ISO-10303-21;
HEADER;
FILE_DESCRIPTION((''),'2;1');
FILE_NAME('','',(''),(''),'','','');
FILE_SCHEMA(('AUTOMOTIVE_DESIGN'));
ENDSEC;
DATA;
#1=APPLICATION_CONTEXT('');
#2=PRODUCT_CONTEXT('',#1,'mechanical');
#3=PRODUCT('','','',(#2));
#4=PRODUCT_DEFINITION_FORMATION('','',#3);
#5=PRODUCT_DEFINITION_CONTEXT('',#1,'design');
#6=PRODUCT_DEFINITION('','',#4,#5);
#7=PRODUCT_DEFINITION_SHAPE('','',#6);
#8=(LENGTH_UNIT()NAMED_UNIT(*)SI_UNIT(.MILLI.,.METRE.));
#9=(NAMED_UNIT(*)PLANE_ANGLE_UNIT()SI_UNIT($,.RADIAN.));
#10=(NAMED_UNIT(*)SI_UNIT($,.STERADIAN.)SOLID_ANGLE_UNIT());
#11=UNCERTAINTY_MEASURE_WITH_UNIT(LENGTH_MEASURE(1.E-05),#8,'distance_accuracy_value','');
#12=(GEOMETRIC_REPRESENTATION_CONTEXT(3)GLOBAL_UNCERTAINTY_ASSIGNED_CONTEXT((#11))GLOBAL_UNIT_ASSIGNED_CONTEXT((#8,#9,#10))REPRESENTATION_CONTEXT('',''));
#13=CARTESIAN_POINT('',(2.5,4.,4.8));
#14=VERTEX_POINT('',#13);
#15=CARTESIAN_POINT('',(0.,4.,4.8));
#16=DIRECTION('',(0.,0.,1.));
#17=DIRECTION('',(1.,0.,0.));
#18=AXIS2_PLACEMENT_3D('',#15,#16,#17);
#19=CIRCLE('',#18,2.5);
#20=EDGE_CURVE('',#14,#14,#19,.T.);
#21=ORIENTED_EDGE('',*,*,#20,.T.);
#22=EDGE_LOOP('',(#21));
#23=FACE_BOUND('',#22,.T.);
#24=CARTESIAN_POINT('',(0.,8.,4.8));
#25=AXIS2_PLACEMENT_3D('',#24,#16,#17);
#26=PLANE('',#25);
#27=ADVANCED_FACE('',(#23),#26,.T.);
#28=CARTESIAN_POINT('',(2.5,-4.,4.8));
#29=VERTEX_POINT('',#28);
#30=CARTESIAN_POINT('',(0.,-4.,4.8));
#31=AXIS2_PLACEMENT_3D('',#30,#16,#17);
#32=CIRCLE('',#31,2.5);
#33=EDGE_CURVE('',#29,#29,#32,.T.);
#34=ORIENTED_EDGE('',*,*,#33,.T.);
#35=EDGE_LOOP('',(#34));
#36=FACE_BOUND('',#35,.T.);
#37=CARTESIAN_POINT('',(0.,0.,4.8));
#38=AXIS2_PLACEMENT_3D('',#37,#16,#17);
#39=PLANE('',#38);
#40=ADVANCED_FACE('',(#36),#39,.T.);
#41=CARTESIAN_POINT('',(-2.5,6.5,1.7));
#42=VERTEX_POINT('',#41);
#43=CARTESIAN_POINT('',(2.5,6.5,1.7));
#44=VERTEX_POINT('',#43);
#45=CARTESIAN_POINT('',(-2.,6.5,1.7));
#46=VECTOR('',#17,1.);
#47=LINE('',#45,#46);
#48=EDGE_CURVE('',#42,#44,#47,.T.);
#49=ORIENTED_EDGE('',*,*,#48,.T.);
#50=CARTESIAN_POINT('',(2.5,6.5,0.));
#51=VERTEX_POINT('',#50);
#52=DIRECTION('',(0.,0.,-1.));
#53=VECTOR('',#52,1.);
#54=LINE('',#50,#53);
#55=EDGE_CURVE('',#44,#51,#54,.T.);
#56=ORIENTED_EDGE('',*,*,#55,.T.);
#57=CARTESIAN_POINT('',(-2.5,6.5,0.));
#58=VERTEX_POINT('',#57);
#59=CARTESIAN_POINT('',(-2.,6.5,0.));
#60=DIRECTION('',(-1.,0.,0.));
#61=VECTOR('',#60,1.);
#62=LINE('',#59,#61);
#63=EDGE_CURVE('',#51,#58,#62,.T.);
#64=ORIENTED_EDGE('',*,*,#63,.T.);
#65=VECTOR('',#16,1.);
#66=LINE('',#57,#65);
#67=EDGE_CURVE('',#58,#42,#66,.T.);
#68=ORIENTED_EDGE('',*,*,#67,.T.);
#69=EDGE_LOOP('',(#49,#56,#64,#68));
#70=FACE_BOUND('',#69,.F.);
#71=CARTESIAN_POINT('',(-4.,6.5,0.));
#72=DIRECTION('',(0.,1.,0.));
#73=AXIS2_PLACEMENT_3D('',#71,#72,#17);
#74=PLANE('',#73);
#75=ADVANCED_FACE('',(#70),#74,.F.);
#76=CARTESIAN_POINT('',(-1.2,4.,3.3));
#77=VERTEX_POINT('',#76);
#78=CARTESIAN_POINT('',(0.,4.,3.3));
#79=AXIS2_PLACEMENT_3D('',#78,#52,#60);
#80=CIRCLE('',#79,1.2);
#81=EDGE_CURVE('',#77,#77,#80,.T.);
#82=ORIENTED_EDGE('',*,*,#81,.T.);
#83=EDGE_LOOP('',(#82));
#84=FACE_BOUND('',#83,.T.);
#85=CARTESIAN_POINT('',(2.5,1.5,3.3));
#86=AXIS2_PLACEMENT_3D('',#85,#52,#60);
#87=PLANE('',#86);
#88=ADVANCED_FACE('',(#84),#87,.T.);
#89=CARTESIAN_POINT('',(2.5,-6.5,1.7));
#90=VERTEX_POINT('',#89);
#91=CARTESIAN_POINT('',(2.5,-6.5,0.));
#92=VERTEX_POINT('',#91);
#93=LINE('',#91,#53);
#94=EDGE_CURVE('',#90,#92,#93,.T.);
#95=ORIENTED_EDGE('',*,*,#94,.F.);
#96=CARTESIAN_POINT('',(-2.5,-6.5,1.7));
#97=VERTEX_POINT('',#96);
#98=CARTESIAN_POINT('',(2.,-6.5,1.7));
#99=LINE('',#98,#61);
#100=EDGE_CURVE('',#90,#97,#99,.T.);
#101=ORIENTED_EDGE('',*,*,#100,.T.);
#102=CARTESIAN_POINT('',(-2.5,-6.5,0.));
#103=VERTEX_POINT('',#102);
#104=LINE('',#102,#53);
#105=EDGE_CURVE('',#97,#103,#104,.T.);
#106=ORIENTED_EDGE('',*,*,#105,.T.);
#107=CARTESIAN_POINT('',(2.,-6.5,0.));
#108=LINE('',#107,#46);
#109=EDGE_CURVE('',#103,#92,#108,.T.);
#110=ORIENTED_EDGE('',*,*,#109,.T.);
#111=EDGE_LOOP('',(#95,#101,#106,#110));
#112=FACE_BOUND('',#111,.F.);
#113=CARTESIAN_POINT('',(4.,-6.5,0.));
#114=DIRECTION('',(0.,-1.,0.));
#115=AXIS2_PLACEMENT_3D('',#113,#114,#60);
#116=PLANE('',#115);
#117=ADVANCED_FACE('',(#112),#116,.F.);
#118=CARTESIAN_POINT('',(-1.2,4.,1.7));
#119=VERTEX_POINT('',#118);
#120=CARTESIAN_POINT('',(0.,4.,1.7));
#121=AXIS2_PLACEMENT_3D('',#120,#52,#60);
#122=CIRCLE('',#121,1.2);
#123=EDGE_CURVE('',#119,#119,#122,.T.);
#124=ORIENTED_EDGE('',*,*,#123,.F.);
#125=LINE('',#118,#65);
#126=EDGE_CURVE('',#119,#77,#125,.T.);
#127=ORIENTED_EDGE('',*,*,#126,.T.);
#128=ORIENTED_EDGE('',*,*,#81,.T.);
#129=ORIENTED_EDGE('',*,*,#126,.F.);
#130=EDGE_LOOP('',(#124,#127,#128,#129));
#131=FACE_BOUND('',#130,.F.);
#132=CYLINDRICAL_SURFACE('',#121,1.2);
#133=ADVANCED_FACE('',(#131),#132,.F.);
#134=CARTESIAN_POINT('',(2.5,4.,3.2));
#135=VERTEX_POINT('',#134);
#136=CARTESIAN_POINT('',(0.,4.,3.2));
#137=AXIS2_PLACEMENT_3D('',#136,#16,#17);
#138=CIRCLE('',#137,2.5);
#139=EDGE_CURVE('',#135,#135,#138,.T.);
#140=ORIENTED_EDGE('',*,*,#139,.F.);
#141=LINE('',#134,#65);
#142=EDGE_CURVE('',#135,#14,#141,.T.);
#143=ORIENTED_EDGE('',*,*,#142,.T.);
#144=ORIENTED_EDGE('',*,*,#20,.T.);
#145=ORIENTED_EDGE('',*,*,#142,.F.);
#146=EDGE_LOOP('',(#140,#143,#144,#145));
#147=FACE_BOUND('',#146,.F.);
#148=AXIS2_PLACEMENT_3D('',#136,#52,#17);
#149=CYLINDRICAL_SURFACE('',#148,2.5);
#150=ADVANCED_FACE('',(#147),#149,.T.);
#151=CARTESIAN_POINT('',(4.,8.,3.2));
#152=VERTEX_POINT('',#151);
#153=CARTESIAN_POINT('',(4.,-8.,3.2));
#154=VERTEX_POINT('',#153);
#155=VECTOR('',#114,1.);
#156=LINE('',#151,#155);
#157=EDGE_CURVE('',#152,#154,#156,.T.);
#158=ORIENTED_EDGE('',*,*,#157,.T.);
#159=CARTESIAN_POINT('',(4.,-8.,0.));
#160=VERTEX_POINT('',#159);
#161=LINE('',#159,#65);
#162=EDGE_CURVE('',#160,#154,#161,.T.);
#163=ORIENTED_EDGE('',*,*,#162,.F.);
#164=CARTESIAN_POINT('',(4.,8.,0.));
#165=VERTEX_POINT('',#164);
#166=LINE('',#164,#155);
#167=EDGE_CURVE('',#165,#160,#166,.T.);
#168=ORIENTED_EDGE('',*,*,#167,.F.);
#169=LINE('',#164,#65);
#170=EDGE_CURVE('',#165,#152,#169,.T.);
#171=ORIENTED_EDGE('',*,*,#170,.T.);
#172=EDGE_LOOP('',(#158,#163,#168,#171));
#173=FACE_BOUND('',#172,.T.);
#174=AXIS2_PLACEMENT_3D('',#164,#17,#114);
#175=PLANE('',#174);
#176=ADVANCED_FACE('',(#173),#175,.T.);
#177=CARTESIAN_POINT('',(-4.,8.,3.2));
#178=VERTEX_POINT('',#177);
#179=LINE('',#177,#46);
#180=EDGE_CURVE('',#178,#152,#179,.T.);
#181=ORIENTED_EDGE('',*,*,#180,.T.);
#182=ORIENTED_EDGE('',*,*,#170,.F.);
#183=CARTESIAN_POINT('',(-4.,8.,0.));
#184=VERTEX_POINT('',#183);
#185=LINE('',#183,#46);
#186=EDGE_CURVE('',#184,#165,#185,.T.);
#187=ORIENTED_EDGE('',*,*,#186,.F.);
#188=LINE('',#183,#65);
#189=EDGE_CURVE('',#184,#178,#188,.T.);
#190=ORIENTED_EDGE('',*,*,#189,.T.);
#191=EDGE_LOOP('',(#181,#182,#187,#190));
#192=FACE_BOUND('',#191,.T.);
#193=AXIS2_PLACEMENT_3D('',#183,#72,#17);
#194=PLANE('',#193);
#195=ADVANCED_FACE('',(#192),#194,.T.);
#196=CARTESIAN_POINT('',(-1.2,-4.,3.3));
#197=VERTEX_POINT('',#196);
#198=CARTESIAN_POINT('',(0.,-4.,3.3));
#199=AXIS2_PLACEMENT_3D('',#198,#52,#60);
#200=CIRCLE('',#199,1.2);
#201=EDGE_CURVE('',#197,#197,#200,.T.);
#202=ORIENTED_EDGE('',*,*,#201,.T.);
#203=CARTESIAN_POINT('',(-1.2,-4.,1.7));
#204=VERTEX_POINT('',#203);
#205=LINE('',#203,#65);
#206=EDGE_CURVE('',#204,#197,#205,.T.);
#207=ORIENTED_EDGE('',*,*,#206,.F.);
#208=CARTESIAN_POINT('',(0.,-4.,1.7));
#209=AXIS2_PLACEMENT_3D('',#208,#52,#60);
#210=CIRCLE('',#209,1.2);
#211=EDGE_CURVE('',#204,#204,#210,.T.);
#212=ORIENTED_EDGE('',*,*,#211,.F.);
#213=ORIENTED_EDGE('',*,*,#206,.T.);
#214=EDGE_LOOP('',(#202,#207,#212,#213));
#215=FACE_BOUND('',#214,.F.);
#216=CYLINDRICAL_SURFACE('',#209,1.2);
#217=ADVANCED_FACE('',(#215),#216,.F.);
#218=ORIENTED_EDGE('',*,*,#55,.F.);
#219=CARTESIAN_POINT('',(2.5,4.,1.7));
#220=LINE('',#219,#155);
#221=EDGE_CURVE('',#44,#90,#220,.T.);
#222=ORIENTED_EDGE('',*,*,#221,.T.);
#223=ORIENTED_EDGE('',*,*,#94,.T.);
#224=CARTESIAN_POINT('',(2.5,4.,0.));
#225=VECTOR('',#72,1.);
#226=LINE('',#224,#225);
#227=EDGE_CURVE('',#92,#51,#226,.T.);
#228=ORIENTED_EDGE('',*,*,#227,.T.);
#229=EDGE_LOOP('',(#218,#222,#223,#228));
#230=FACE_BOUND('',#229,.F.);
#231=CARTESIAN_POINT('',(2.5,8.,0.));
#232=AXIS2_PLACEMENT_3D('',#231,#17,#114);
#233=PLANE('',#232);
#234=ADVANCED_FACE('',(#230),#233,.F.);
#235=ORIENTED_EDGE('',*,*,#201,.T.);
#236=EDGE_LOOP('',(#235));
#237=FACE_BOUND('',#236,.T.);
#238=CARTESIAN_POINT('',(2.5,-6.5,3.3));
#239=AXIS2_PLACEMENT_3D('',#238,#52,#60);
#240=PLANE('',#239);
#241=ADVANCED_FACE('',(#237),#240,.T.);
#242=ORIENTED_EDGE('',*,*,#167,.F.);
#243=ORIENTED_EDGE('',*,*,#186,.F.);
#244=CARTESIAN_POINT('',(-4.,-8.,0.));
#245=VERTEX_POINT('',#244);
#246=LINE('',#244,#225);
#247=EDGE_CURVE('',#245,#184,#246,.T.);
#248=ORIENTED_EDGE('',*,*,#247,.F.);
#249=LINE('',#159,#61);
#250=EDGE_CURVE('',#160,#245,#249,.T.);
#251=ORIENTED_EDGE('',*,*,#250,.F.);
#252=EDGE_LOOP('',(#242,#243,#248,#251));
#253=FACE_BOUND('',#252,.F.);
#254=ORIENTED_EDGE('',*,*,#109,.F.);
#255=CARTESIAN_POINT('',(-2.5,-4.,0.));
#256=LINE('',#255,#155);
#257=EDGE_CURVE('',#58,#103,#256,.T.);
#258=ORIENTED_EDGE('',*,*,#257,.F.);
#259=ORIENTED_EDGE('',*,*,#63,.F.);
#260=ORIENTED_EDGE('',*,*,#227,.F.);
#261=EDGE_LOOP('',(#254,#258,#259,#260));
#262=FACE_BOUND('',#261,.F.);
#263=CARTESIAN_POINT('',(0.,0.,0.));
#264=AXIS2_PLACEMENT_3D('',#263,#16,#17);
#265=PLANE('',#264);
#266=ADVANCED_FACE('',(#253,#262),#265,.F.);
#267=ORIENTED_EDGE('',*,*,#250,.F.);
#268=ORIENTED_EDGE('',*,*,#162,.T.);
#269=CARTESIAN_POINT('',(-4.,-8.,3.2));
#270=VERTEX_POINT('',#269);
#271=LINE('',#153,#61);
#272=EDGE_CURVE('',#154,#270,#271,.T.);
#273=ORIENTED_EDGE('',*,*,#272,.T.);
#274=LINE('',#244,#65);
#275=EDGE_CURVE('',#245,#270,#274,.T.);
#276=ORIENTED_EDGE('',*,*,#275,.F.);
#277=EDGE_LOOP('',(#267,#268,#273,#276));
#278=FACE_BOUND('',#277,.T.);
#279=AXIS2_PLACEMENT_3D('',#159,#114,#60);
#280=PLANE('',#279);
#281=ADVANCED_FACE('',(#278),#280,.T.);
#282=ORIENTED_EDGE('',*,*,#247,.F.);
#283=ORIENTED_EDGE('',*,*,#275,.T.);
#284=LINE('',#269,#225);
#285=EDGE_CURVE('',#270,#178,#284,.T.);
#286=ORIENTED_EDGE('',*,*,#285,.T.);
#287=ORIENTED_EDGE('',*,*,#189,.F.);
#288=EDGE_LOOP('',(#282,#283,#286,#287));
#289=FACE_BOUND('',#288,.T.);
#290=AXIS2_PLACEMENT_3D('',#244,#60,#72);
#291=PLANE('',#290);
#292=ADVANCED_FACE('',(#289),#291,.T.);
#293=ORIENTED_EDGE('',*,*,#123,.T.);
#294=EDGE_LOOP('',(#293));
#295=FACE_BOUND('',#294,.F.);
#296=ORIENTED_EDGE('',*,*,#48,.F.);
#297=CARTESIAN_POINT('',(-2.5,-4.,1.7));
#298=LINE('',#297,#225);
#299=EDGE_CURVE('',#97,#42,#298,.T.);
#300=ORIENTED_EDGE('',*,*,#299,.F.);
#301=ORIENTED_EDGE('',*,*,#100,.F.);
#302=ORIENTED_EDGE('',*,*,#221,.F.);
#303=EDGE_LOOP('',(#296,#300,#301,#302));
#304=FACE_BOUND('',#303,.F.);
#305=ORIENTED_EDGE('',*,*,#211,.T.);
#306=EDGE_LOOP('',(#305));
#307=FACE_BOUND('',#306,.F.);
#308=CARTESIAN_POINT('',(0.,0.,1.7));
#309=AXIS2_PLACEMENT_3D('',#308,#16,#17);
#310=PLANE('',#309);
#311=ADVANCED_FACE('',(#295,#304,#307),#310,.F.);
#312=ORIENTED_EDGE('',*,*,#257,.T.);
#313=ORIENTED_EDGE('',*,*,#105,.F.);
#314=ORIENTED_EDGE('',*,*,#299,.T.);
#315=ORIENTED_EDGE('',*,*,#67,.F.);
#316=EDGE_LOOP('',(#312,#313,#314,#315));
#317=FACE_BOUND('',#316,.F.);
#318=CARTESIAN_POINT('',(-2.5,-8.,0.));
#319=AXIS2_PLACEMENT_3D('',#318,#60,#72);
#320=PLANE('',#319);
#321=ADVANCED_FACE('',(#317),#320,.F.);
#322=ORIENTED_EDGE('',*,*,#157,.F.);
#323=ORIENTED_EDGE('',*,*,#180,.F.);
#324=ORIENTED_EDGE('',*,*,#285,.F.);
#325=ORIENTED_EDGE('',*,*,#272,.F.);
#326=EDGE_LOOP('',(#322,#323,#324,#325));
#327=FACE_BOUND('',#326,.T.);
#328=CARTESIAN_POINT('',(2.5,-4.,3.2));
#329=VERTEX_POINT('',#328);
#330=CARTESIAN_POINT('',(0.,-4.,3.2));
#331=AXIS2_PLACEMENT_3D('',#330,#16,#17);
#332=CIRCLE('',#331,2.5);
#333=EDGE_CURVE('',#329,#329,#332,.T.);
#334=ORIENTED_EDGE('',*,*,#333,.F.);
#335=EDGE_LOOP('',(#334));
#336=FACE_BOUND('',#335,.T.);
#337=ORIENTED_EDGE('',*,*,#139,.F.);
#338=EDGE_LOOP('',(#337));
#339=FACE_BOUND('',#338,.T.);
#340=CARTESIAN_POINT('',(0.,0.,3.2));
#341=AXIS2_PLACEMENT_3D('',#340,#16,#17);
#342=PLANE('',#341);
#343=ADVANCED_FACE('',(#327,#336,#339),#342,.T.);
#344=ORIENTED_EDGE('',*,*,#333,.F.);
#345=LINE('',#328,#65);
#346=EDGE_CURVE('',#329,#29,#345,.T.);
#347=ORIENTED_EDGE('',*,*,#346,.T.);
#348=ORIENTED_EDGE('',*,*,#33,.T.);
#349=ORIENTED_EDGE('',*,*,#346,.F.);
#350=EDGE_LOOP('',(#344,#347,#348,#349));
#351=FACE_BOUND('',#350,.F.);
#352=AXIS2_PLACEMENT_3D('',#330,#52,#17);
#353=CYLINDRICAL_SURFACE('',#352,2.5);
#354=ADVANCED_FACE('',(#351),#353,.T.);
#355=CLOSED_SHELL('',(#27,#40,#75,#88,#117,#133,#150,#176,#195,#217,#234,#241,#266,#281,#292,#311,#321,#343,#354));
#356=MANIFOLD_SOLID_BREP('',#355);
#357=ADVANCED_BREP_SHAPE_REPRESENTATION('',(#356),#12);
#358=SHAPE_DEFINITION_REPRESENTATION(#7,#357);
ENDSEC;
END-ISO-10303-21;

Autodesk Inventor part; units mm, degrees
ref_plane "YZ Plane" through (0, 0, 0) normal (1, 0, 0) x (0, 1, 0)
ref_plane "XZ Plane" through (0, 0, 0) normal (0, 1, 0) x (-1, 0, 0)
ref_plane "XY Plane" through (0, 0, 0) normal (0, 0, 1) x (1, 0, 0)
sketch "Sketch1" plane through (0, 0, 0) normal (0, 0, 1) x (1, 0, 0)
  line L0 (-4, 8) -> (4, 8)
  line L1 (4, 8) -> (4, -8)
  line L2 (4, -8) -> (-4, -8)
  line L3 (-4, -8) -> (-4, 8)
  point P0 (0, 0)
  dimension "d0" = 8
  dimension "d1" = 16
  dimension "d2" = 4
  dimension "d3" = 8
extrude "Extrusion1" add sketch "Sketch1" along normal blind 3.2
shell "Shell1" thickness 1.5 removed faces 1 at (-1.3333, 2.6667, 0)
sketch "Sketch2" plane through (0, 0, 3.2) normal (0, 0, 1) x (1, 0, 0)
  circle A0 centre (0, -4) radius 2.5
  line L0 (4, 8) -> (4, -8) projected
  line L1 (4, -8) -> (-4, -8) projected
  dimension "d7" = 5
  dimension "d10" = 4
  dimension "d11" = 4
extrude "Extrusion2" add sketch "Sketch2" along normal blind 1.6
sketch "Sketch3" plane through (2.5, -6.5, 1.7) normal (0, 0, -1) x (-1, 0, 0)
  circle A0 centre (2.5, 2.5) radius 2.5 projected
  circle A1 centre (2.5, 2.5) radius 1.2
  point P0 (2.5, 6.5)
  dimension "d18" = 2.4
extrude "Extrusion3" cut sketch "Sketch3" against normal blind 1.6 contours A1
pattern_linear "Rectangular Pattern1" count 2 spacing 8 along (0, 1, 0) of "Extrusion2", "Extrusion3"
sketch "Sketch4" plane through (2.5, -6.5, 1.7) normal (0, 0, -1) x (-1, 0, 0)
  circle A0 centre (2.5, 10.5) radius 1.2 projected
  circle A1 centre (2.5, 2.5) radius 1.2 projected
  line L0 (0, 13) -> (0, 0) projected
  line L1 (0, 0) -> (5, 0) projected
  circle A2 centre (6.5, 6.5) radius 3.15
  circle A3 centre (6.5, 6.5) radius 2.5
  point P0 (2.5, 6.5)
  dimension "d21" = 6.5
  dimension "d22" = 6.5
  dimension "d23" = 10.5
  dimension "d24" = 2.5
  dimension "d25" = 5
  dimension "d26" = 6.3
extrude "Extrusion4" [suppressed]
pattern_linear "Rectangular Pattern2" [suppressed]
equation "\"d0\" = 8 * WIDTH"
equation "\"d1\" = 8 * LENGTH"
equation "\"d2\" = 0.5 * d0"
equation "\"d3\" = 0.5 * d1"
equation "\"d4\" = HEIGHT"
equation "\"d21\" = 0.5 * d23 + 0.5 * d24"
equation "\"d22\" = d21"
equation "\"WIDTH\" = 1"
equation "\"HEIGHT\" = 3.2"
equation "\"LENGTH\" = 2"
properties part number "3023" material "Steel"
